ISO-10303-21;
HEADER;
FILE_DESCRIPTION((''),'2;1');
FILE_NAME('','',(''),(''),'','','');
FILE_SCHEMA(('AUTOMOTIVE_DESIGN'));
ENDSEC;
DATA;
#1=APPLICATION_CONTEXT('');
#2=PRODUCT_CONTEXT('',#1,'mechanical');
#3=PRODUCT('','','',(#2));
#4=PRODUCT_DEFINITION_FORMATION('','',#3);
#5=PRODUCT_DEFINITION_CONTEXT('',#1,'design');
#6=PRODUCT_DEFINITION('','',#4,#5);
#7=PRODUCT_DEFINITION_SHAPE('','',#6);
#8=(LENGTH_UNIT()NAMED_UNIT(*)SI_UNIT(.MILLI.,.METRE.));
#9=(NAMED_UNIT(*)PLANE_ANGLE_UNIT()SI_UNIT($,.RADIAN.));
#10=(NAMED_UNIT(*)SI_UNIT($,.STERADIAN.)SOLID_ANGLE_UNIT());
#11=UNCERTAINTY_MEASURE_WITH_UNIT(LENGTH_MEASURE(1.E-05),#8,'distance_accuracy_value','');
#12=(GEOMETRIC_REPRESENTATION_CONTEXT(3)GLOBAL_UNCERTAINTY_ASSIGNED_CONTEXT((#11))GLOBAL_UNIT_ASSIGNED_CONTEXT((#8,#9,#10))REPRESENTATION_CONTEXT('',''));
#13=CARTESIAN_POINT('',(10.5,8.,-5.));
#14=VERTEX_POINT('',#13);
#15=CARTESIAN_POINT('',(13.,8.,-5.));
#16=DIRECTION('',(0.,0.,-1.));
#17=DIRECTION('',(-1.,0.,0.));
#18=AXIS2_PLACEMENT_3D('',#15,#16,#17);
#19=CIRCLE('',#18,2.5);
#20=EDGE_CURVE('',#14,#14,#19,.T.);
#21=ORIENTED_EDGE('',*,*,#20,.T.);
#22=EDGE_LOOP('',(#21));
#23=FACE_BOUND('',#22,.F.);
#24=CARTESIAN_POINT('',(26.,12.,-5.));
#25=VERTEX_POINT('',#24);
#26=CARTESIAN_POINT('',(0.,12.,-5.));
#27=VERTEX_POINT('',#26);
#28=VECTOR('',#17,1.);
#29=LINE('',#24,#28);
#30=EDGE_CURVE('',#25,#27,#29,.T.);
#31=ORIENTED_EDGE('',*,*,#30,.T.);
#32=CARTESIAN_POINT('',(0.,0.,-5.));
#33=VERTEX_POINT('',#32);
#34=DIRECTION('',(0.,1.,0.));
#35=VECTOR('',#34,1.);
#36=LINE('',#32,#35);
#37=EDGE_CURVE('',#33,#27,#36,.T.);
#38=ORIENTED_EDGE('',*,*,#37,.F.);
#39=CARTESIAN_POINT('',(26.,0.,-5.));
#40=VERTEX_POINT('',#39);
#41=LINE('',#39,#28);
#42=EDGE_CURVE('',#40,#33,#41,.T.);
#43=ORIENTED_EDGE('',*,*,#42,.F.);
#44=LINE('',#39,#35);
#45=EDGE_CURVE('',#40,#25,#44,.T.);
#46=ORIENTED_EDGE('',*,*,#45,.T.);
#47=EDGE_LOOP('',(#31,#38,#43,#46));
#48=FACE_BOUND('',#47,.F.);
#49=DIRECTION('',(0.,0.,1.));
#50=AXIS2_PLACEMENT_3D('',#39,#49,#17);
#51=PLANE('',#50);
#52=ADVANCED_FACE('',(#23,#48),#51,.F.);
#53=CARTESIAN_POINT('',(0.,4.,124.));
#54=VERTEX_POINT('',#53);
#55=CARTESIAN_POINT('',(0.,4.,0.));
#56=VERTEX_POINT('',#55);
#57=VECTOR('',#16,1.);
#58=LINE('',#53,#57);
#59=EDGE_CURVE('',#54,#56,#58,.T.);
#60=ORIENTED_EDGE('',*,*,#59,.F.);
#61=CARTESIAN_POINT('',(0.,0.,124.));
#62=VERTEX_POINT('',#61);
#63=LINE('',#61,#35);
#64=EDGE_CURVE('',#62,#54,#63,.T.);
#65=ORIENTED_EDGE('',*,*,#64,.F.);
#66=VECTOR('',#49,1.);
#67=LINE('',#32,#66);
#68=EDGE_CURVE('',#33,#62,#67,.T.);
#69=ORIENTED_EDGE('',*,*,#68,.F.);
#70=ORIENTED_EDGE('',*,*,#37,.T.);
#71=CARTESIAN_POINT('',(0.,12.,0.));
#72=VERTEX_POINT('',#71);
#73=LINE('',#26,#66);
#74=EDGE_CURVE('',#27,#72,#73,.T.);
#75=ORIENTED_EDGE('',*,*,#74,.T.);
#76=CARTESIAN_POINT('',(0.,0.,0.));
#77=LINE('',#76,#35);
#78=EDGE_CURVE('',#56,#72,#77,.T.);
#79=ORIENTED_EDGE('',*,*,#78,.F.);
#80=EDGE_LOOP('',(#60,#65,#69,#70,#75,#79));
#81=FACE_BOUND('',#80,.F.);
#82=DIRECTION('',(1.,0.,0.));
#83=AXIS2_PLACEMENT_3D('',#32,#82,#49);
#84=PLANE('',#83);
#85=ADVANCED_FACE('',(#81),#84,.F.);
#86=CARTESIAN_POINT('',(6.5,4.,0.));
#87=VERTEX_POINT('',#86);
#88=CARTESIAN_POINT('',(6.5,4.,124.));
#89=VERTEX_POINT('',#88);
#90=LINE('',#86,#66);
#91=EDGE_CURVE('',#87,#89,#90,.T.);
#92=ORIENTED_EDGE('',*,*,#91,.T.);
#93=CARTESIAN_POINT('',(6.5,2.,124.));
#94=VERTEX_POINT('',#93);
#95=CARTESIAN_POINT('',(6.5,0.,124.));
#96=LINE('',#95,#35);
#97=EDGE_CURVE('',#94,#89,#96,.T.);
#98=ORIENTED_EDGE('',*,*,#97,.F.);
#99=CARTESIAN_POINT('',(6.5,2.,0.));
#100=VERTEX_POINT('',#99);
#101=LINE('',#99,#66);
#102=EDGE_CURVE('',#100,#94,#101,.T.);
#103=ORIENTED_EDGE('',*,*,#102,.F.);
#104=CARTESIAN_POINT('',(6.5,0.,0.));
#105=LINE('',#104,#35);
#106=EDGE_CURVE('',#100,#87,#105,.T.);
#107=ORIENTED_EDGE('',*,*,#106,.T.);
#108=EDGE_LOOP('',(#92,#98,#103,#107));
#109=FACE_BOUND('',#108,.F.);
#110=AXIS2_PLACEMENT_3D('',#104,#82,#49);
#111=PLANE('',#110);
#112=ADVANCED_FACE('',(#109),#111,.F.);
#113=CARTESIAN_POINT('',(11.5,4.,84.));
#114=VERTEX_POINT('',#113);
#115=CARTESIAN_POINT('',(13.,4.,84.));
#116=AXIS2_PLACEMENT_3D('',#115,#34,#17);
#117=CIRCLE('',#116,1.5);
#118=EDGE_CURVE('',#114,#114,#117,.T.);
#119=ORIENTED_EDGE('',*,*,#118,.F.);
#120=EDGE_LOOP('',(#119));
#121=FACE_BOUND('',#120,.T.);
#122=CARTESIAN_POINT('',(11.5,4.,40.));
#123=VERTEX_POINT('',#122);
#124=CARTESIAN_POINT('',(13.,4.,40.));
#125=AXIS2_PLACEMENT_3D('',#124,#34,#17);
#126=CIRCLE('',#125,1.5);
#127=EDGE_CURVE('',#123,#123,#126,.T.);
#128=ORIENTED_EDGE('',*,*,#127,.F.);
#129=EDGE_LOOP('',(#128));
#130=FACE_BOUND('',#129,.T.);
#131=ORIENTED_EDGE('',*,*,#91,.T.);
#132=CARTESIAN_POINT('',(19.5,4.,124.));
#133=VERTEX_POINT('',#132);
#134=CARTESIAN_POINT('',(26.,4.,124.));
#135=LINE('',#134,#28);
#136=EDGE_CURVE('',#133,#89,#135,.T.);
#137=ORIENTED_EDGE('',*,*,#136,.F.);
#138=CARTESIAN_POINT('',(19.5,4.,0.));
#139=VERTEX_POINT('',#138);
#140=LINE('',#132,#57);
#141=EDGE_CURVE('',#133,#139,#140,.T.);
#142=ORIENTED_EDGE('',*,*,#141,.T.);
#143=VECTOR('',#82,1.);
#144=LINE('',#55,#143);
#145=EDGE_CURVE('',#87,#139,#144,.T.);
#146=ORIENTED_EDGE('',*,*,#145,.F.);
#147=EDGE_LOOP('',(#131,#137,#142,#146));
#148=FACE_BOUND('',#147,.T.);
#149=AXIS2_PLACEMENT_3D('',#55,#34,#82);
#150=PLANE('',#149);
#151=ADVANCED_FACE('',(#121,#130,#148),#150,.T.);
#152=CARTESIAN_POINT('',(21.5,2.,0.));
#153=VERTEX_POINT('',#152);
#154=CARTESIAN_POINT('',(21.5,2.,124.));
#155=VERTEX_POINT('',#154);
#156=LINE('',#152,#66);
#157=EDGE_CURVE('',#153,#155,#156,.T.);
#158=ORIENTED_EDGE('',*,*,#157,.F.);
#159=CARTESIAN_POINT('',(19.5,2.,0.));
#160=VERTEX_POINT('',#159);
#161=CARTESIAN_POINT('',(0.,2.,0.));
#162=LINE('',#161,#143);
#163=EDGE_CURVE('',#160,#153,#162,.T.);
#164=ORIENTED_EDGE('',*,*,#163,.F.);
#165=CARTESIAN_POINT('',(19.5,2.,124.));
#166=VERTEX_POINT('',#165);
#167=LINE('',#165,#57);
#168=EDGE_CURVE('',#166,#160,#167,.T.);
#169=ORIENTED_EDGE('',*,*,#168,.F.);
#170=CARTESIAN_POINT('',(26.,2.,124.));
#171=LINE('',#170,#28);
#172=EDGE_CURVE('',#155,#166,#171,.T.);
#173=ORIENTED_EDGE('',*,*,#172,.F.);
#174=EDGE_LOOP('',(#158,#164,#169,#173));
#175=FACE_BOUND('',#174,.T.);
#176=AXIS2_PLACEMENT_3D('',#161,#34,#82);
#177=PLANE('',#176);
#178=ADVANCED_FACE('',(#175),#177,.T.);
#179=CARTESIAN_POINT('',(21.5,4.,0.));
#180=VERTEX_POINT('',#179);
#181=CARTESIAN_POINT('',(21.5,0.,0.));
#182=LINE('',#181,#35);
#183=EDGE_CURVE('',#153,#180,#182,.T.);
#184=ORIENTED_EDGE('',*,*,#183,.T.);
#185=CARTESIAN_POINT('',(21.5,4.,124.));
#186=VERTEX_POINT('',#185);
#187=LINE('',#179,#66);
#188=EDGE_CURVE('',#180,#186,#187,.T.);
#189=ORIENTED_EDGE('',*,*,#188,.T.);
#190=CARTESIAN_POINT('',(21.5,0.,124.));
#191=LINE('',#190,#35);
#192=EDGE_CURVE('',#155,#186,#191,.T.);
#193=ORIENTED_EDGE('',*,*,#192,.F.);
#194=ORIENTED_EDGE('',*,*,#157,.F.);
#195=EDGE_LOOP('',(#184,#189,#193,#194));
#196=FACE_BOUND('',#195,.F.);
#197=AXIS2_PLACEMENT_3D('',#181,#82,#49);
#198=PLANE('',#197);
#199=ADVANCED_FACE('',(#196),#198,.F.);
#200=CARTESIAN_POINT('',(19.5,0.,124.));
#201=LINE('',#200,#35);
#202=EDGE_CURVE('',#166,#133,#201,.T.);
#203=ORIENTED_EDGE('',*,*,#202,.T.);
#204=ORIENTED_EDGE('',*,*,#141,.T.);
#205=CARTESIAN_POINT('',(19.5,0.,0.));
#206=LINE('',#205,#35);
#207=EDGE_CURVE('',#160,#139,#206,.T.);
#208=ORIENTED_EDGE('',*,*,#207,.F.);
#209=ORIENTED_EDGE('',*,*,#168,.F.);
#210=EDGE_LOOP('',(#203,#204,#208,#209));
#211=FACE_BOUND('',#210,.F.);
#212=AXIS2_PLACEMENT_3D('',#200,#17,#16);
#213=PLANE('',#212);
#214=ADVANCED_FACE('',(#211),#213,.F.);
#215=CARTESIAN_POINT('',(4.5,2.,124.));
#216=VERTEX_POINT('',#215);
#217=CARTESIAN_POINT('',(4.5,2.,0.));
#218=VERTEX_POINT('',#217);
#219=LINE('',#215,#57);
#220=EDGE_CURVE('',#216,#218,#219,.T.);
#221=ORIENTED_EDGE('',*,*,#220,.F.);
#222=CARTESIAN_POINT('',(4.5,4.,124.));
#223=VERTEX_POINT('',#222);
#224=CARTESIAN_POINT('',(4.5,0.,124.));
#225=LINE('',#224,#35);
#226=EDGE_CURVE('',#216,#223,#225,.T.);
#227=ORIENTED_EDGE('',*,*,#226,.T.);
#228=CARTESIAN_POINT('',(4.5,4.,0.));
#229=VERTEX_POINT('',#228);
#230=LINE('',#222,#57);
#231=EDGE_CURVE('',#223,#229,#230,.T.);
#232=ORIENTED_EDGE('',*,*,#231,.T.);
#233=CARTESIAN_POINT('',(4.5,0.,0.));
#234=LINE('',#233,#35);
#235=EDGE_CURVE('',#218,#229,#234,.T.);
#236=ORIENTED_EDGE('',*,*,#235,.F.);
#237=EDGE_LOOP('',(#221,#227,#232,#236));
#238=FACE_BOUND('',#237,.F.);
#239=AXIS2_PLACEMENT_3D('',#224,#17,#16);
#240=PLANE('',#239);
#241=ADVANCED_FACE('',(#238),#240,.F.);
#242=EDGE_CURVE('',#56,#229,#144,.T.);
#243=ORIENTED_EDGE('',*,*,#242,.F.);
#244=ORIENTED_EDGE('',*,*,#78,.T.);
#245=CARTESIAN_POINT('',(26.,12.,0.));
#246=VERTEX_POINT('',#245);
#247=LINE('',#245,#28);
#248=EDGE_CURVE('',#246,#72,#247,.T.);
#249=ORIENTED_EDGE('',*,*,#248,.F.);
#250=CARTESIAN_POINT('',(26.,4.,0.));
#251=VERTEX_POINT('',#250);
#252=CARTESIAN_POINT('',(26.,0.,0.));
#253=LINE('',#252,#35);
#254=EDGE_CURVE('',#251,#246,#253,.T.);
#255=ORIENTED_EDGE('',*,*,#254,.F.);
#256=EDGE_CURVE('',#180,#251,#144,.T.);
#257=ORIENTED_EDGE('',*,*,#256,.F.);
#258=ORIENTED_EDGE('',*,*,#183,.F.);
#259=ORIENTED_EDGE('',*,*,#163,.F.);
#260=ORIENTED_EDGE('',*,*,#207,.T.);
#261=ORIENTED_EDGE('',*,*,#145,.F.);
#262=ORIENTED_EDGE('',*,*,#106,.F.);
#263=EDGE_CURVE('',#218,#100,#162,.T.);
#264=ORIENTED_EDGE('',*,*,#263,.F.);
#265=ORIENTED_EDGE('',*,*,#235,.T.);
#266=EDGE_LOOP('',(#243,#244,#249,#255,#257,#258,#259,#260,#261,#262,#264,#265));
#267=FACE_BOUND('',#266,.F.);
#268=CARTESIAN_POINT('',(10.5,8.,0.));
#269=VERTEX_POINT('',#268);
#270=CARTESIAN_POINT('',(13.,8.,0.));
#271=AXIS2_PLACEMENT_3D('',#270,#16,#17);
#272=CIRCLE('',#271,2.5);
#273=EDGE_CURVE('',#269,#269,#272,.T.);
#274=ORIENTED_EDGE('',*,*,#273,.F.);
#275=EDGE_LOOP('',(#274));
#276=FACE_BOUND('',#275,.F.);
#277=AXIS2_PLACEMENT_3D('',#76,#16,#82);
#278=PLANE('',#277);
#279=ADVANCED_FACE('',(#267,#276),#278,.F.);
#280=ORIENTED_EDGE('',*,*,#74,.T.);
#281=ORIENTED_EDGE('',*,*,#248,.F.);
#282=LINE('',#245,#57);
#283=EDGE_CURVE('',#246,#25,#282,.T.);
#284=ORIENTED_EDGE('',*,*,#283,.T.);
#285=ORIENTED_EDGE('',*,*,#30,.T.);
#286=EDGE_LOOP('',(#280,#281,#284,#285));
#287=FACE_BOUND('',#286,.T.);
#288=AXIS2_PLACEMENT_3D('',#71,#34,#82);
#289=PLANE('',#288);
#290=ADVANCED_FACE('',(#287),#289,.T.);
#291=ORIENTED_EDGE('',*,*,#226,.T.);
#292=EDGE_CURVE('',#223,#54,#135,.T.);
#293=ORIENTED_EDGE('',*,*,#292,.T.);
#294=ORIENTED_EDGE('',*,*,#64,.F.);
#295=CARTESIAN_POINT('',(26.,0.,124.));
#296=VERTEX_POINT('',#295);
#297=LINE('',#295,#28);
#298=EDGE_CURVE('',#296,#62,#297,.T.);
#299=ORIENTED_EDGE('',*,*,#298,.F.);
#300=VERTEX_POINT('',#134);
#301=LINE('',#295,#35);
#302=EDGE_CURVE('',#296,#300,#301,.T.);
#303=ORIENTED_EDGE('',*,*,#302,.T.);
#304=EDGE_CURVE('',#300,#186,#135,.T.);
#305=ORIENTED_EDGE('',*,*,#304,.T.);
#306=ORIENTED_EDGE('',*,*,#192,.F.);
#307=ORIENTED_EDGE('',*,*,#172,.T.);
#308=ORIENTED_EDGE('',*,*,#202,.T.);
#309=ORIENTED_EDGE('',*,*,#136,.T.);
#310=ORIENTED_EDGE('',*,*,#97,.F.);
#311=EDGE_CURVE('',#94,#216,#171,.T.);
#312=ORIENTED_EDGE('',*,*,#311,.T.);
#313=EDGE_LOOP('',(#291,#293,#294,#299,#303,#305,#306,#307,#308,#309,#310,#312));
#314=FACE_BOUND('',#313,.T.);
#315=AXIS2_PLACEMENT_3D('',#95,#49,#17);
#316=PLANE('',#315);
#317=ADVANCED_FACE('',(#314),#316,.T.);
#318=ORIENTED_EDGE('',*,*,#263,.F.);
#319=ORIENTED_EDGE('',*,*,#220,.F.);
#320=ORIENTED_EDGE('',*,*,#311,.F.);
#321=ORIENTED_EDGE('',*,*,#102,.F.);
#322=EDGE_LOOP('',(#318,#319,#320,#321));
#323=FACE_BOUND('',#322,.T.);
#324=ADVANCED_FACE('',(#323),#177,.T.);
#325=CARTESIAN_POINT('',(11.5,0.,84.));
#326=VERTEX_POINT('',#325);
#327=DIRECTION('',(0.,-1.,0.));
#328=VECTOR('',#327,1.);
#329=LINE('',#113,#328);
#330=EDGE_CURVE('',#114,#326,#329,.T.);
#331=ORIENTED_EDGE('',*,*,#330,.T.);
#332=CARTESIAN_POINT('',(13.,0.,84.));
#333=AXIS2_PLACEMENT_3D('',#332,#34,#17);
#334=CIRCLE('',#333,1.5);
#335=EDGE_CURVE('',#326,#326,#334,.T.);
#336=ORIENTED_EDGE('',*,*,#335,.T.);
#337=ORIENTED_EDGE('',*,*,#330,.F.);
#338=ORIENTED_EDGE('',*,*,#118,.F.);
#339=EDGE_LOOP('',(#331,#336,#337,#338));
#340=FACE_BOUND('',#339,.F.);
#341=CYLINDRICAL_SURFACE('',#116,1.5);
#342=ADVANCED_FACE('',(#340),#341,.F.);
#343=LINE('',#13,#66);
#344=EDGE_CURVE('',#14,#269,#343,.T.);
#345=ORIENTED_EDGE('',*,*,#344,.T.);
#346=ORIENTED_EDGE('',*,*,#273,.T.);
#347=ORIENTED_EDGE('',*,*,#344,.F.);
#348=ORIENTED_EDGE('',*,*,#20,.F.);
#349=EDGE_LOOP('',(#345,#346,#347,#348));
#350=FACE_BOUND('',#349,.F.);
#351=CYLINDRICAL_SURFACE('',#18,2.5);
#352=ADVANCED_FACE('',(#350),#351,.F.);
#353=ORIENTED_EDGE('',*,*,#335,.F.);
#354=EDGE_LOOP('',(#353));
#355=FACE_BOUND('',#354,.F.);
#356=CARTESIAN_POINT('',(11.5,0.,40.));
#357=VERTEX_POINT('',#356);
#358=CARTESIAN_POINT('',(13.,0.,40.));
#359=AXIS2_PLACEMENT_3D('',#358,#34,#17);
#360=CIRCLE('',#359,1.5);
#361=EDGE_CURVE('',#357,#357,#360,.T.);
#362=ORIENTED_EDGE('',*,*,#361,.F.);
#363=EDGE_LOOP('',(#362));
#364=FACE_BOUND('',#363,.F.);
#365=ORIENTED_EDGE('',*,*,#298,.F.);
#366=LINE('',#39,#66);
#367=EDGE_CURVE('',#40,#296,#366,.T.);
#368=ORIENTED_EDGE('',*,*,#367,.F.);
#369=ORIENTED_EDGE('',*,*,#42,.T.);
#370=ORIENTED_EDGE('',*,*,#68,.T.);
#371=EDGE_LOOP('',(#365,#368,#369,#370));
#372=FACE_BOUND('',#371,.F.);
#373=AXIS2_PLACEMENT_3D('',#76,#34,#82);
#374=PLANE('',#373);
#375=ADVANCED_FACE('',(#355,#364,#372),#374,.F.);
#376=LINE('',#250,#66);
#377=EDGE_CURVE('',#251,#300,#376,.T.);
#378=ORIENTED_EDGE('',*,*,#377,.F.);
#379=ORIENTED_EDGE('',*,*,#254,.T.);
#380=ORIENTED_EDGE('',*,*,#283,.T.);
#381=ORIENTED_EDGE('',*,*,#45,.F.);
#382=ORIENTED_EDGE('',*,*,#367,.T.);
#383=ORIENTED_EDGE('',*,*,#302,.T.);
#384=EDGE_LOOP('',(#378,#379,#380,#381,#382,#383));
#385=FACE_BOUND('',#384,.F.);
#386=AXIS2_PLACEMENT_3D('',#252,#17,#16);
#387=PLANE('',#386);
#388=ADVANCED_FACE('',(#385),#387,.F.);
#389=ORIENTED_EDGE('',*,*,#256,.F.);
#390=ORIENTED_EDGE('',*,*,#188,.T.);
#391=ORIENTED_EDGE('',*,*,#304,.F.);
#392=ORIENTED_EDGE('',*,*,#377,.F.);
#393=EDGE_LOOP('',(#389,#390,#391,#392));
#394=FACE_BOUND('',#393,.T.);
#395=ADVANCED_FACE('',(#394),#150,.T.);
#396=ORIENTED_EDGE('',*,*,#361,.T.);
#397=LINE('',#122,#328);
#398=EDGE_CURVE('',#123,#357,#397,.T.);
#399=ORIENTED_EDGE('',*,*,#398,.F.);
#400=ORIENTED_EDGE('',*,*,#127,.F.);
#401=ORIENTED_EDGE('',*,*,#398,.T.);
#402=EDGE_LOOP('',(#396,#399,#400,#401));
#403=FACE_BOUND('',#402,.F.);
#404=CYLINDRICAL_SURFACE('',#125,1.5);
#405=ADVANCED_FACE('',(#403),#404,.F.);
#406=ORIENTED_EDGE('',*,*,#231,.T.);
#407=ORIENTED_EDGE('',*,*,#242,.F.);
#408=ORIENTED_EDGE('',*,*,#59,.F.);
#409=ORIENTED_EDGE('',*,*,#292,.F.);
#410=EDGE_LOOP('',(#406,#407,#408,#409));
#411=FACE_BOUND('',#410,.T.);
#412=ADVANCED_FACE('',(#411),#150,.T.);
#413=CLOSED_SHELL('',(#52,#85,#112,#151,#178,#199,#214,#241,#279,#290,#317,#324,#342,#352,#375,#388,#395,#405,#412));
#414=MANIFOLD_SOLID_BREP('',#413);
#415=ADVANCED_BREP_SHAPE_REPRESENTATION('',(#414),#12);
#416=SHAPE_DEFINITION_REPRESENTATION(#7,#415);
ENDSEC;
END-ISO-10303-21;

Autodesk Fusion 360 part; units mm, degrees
sketch "Eskiz1" plane through (0, 0, 0) normal (0, 1, 0) x (1, 0, 0)
  line L0 (0, 0) -> (26, 0)
  line L1 (26, 0) -> (26, -124)
  line L2 (26, -124) -> (0, -124)
  line L3 (0, -124) -> (0, 0)
  line L4 (4.5, 0) -> (6.5, 0)
  line L5 (6.5, 0) -> (6.5, -124)
  line L6 (6.5, -124) -> (4.5, -124)
  line L7 (4.5, -124) -> (4.5, 0)
  line L8 (19.5, 0) -> (21.5, 0)
  line L9 (21.5, 0) -> (21.5, -124)
  line L10 (21.5, -124) -> (19.5, -124)
  line L11 (19.5, -124) -> (19.5, 0)
  line L12 (0, 0) -> (26, 0)
  line L13 (26, 0) -> (26, 5)
  line L14 (26, 5) -> (0, 5)
  line L15 (0, 5) -> (0, 0)
  line L16 (0, -124) -> (26, -124)
  line L17 (26, -124) -> (26, -129)
  line L18 (26, -129) -> (0, -129)
  line L19 (0, -129) -> (0, -124)
  dimension "d1" = 26
  dimension "d2" = 124
  dimension "d3" = 2
  dimension "d4" = 4.5
  dimension "d5" = 2
  dimension "d6" = 13
  dimension "d11" = 5
  dimension "d18" = 5
extrude "Ekstrüde Et1" add sketch "Eskiz1" along normal blind 2 contours L0 L2 L4 L5 L6 L7 L12 L16 | L0 L2 L8 L9 L10 L11 L12 L16 makes body 1 at (6.5, 0.6667, 41.3333) makes body 2 at (21.5, 0.6667, 41.3333)
extrude "Ekstrüde Et2" add sketch "Eskiz1" along normal blind 4 contours L0 L2 L3 L7 L12 L16 | L0 L2 L5 L11 L12 L16 | L0 L1 L2 L9 L12 L16 bodies 1 2
extrude "Ekstrüde Et3" add sketch "Eskiz1" along normal blind 12 contours L0 L4 L8 L12 L13 L14 L15 bodies 1
sketch "Eskiz2" plane through (0, 0, -5) normal (0, 0, -1) x (-1, 0, 0)
  line L0 (-26, 0) -> (0, 0)
  line L1 (0, 0) -> (0, 12)
  line L2 (0, 12) -> (-26, 12)
  line L3 (-26, 12) -> (-26, 0)
  circle A0 centre (-13, 8) radius 2.5
  dimension "d14" = 5
  dimension "d15" = 4
extrude "Ekstrüde Et4" cut sketch "Eskiz2" against normal blind 6 contours A0 bodies 1
sketch "Eskiz3" plane through (0, 4, 0) normal (0, 1, 0) x (-1, 0, 0)
  line L0 (-6.5, 0) -> (-6.5, 124)
  line L1 (-6.5, 124) -> (-19.5, 124)
  line L2 (-19.5, 124) -> (-19.5, 0)
  line L3 (-19.5, 0) -> (-6.5, 0)
  circle A0 centre (-13, 84) radius 1.5
  circle A1 centre (-13, 40) radius 1.5
  dimension "d19" = 3
  dimension "d20" = 3
  dimension "d21" = 40
  dimension "d22" = 40
extrude "Ekstrüde Et5" cut sketch "Eskiz3" against normal blind 15 contours A0 | A1 bodies 1
